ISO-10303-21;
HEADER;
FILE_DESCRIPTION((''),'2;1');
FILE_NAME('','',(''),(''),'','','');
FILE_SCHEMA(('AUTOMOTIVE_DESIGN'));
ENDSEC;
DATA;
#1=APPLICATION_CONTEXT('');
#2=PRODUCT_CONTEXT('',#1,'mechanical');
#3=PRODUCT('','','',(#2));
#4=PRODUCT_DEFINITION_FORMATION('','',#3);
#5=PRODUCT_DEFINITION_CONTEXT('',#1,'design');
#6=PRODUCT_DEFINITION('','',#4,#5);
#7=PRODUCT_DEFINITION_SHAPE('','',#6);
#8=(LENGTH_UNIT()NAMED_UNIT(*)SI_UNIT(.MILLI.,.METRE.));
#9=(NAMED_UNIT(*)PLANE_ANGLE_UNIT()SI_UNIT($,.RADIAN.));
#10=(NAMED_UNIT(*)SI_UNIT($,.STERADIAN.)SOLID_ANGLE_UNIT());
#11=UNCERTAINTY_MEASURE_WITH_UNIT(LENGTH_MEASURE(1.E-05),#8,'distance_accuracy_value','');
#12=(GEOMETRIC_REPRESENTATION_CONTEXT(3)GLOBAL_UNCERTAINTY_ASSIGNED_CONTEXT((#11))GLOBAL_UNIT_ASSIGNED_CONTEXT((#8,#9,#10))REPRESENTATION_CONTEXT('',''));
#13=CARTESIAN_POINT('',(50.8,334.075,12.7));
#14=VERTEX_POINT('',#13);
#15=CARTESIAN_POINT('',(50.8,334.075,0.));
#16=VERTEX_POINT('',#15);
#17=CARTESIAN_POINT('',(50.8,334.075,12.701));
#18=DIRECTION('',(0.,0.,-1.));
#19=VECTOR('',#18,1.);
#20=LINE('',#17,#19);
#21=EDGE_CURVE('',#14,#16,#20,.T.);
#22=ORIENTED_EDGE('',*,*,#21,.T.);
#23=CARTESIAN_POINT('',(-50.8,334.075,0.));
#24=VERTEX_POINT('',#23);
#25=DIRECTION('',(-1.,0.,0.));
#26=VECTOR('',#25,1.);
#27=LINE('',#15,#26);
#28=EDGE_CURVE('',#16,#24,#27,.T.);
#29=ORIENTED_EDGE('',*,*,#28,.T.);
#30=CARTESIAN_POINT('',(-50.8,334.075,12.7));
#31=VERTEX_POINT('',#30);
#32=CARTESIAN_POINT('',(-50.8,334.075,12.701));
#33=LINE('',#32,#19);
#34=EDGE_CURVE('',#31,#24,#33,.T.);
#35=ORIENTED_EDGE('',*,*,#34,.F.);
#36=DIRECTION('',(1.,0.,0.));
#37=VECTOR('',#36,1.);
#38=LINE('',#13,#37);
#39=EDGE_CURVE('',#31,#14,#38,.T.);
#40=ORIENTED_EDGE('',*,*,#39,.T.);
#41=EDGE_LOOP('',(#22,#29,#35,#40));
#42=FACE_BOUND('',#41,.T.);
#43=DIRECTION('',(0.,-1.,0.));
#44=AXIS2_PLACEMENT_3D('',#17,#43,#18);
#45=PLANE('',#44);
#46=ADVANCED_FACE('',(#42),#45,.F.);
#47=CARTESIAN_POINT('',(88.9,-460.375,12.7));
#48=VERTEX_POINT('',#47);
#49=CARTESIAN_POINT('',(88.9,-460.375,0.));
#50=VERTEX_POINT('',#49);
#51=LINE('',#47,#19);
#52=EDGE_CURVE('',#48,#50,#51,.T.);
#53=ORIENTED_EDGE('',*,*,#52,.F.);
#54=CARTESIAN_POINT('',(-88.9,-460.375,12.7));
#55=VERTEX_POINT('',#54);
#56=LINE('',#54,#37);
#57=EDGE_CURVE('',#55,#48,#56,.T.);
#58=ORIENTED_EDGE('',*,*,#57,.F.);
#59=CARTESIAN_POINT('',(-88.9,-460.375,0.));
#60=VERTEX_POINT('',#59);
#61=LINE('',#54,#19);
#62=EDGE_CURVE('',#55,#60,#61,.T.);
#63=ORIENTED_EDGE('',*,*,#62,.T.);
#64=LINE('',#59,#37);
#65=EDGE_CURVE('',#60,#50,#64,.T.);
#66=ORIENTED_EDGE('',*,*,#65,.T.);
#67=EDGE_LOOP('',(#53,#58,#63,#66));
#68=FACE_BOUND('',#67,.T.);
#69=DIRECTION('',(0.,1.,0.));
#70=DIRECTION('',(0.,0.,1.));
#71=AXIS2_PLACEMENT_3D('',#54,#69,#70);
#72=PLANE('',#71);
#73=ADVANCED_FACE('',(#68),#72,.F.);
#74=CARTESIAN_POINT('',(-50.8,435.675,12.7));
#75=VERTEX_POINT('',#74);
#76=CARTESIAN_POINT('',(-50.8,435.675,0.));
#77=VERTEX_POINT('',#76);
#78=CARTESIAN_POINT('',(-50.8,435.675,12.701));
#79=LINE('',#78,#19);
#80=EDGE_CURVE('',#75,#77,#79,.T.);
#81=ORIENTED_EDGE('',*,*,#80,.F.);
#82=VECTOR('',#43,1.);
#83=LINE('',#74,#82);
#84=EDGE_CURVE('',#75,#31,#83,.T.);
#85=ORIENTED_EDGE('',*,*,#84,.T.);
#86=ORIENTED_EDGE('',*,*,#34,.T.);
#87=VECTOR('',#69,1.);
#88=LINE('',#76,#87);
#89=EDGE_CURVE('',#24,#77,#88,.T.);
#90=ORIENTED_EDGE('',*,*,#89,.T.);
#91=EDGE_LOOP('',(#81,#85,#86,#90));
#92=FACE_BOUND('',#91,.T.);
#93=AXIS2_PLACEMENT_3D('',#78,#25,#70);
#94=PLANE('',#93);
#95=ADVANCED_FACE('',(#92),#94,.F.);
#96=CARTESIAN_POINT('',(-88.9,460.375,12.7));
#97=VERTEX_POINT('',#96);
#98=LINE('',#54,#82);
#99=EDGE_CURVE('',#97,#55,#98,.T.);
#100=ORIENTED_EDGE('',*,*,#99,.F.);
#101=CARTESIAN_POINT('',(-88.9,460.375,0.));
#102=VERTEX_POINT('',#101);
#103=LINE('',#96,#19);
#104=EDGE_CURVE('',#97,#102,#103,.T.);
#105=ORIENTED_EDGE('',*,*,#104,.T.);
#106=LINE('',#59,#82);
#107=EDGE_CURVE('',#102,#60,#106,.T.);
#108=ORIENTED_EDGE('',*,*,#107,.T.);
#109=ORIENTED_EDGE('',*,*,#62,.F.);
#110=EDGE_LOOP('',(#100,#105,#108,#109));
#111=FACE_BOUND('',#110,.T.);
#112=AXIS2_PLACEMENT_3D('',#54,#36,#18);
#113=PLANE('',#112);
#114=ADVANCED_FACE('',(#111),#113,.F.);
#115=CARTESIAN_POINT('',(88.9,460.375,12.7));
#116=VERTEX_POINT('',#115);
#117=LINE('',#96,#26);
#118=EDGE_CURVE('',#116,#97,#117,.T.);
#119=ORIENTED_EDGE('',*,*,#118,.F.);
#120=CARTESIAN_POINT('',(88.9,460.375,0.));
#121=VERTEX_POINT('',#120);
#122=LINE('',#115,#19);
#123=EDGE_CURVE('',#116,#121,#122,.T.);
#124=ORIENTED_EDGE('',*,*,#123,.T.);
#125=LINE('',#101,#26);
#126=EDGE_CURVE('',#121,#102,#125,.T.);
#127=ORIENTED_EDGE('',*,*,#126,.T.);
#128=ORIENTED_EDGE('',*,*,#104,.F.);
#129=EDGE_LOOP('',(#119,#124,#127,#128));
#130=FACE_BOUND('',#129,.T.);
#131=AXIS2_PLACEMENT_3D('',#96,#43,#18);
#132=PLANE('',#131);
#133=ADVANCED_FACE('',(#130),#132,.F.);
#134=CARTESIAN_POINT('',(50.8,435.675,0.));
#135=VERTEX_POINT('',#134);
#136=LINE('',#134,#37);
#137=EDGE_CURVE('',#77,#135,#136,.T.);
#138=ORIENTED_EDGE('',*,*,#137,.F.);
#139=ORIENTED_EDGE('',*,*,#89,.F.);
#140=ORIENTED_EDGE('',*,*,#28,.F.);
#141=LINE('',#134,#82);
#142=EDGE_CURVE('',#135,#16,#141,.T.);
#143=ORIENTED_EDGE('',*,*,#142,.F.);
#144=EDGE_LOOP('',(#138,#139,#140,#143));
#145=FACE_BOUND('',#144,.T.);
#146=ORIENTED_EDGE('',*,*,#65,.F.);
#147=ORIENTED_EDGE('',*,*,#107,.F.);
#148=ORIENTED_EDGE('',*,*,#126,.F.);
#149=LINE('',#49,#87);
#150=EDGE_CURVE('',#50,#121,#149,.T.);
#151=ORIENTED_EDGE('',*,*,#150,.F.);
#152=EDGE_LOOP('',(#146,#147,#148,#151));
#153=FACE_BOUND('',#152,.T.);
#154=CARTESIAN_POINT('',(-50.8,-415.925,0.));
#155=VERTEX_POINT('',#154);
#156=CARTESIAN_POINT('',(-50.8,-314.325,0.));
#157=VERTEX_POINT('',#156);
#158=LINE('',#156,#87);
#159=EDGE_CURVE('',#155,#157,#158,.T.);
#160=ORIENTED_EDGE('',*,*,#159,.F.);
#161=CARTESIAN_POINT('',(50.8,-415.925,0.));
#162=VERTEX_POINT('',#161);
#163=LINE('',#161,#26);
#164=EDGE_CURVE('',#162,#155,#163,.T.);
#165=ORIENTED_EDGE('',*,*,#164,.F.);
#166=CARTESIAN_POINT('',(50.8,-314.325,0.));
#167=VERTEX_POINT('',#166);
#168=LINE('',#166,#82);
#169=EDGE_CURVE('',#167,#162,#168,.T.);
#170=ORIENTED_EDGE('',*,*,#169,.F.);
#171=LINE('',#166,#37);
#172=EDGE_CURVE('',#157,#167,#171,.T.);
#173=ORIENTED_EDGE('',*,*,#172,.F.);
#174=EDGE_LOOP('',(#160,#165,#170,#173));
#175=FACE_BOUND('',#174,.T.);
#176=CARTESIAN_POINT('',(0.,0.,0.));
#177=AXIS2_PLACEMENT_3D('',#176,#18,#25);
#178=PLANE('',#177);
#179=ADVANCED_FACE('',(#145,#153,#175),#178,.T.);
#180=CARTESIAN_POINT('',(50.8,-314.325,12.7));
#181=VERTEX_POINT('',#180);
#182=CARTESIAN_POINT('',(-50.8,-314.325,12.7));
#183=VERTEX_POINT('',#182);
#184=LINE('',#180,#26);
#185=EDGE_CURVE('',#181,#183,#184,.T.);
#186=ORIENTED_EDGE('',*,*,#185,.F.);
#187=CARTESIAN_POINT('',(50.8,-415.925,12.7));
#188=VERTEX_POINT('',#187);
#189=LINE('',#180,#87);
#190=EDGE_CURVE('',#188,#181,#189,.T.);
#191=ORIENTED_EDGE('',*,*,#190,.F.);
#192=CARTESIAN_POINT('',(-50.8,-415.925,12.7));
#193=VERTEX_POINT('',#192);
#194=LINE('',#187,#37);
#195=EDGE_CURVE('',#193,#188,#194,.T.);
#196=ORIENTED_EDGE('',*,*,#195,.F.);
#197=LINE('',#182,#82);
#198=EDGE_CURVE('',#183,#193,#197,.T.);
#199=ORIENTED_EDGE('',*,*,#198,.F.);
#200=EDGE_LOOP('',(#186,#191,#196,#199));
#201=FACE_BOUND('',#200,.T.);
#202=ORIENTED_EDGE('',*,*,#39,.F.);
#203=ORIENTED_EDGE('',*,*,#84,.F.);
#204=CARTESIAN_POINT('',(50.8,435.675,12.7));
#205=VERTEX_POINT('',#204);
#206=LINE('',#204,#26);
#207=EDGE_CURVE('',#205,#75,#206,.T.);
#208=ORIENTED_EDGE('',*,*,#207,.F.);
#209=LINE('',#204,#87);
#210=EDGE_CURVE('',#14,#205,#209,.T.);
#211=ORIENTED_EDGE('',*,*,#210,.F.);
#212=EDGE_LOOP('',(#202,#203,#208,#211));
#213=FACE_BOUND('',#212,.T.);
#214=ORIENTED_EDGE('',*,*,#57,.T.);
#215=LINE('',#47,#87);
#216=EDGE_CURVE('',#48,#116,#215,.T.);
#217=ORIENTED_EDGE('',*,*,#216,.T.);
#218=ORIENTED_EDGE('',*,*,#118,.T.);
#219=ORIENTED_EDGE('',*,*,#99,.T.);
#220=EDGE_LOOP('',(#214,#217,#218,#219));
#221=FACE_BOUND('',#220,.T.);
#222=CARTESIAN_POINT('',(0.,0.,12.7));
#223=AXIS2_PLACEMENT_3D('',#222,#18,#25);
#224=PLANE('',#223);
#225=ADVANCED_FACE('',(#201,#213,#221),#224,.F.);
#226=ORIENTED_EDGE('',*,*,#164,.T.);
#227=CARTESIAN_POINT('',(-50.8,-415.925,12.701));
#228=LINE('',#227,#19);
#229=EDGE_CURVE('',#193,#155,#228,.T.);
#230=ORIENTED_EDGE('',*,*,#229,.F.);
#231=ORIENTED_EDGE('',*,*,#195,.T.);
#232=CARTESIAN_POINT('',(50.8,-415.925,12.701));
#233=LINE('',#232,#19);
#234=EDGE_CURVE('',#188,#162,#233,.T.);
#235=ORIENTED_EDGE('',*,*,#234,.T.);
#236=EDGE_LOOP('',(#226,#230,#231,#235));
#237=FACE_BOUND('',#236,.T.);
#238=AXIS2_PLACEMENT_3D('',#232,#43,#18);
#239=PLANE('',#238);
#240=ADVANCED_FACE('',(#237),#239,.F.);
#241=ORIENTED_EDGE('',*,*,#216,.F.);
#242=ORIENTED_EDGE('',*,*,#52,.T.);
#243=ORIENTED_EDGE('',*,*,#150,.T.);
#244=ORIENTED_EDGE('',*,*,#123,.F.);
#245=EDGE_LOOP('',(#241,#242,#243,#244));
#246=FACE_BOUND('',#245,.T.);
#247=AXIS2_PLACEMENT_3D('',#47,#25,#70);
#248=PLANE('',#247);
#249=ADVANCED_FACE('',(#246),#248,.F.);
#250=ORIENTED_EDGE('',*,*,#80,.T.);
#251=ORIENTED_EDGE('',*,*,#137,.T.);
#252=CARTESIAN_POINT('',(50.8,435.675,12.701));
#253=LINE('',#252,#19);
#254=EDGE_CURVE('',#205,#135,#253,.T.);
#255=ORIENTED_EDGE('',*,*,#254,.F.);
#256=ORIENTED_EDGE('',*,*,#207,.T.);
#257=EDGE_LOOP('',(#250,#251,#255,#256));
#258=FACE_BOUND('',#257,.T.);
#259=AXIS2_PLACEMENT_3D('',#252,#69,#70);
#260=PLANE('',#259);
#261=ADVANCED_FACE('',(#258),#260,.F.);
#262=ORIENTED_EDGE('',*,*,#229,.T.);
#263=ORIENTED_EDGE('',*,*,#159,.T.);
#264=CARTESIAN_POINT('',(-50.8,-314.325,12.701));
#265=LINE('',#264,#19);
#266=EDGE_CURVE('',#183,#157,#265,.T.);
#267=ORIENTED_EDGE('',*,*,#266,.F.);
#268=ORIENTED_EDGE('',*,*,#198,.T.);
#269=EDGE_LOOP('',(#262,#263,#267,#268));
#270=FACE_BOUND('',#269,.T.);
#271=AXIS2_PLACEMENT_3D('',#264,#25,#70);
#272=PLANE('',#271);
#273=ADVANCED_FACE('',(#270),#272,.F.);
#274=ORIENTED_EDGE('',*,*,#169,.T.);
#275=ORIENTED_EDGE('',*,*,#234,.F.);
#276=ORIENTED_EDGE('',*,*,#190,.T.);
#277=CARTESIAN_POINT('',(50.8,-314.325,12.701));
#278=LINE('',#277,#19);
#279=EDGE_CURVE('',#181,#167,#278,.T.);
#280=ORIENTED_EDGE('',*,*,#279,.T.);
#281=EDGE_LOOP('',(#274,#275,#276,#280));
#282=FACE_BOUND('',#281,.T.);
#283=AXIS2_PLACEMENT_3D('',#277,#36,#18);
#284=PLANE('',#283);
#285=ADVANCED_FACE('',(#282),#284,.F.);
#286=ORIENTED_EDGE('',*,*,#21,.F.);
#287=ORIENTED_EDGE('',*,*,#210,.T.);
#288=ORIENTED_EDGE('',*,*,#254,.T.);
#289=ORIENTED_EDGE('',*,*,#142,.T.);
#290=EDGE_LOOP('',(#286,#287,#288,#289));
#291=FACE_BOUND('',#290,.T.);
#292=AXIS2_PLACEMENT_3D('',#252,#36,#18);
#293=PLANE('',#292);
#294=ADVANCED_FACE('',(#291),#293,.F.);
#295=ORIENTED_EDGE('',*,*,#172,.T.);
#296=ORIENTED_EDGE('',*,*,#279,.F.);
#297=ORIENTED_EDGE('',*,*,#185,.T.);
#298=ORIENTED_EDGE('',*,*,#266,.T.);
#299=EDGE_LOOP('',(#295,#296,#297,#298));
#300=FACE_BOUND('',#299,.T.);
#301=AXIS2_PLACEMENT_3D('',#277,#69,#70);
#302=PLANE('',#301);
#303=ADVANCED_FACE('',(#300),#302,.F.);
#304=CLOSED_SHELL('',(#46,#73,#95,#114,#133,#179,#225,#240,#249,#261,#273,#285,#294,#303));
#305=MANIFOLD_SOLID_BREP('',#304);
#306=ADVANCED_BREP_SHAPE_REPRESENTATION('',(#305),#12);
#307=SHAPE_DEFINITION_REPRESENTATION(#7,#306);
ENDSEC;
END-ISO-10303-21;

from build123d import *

# Parameters (mm, degrees)
SKETCH1_W           = 177.8
SKETCH1_H           = 920.75
BOSS_EXTRUDE1_DEPTH = 12.7
CUT_EXTRUDE1_REACH  = 471.052
SKETCH2_W           = 101.6
SKETCH2_H           = 101.6


with BuildPart() as part:
    # Sketch1 → Boss-Extrude1 (new body)
    with BuildSketch(Plane.XY):
        Rectangle(SKETCH1_W, SKETCH1_H)
    extrude(amount=BOSS_EXTRUDE1_DEPTH)

    # Sketch2 → Cut-Extrude1 (cut, up to next)
    with BuildSketch(Plane(origin=(0, 0, 0), x_dir=(-1, 0, 0), z_dir=(0, 0, -1)), mode=Mode.PRIVATE) as cut_extrude1_sk1:
        with Locations((0, -365.125)):
            Rectangle(SKETCH2_W, SKETCH2_H)
    cut_extrude1_tool1 = extrude(cut_extrude1_sk1.sketch, amount=-CUT_EXTRUDE1_REACH, mode=Mode.PRIVATE) & part.part
    # Sketch2 → Cut-Extrude1 (cut, up to next)
    with BuildSketch(Plane(origin=(0, 0, 0), x_dir=(-1, 0, 0), z_dir=(0, 0, -1)), mode=Mode.PRIVATE) as cut_extrude1_sk2:
        with Locations((0, 384.875)):
            Rectangle(SKETCH2_W, SKETCH2_H)
    cut_extrude1_tool2 = extrude(cut_extrude1_sk2.sketch, amount=-CUT_EXTRUDE1_REACH, mode=Mode.PRIVATE) & part.part
    add(cut_extrude1_tool1.solids().sort_by_distance((0, -365.125, 0))[0], mode=Mode.SUBTRACT)
    add(cut_extrude1_tool2.solids().sort_by_distance((0, 384.875, 0))[0], mode=Mode.SUBTRACT)


solid = part.part
